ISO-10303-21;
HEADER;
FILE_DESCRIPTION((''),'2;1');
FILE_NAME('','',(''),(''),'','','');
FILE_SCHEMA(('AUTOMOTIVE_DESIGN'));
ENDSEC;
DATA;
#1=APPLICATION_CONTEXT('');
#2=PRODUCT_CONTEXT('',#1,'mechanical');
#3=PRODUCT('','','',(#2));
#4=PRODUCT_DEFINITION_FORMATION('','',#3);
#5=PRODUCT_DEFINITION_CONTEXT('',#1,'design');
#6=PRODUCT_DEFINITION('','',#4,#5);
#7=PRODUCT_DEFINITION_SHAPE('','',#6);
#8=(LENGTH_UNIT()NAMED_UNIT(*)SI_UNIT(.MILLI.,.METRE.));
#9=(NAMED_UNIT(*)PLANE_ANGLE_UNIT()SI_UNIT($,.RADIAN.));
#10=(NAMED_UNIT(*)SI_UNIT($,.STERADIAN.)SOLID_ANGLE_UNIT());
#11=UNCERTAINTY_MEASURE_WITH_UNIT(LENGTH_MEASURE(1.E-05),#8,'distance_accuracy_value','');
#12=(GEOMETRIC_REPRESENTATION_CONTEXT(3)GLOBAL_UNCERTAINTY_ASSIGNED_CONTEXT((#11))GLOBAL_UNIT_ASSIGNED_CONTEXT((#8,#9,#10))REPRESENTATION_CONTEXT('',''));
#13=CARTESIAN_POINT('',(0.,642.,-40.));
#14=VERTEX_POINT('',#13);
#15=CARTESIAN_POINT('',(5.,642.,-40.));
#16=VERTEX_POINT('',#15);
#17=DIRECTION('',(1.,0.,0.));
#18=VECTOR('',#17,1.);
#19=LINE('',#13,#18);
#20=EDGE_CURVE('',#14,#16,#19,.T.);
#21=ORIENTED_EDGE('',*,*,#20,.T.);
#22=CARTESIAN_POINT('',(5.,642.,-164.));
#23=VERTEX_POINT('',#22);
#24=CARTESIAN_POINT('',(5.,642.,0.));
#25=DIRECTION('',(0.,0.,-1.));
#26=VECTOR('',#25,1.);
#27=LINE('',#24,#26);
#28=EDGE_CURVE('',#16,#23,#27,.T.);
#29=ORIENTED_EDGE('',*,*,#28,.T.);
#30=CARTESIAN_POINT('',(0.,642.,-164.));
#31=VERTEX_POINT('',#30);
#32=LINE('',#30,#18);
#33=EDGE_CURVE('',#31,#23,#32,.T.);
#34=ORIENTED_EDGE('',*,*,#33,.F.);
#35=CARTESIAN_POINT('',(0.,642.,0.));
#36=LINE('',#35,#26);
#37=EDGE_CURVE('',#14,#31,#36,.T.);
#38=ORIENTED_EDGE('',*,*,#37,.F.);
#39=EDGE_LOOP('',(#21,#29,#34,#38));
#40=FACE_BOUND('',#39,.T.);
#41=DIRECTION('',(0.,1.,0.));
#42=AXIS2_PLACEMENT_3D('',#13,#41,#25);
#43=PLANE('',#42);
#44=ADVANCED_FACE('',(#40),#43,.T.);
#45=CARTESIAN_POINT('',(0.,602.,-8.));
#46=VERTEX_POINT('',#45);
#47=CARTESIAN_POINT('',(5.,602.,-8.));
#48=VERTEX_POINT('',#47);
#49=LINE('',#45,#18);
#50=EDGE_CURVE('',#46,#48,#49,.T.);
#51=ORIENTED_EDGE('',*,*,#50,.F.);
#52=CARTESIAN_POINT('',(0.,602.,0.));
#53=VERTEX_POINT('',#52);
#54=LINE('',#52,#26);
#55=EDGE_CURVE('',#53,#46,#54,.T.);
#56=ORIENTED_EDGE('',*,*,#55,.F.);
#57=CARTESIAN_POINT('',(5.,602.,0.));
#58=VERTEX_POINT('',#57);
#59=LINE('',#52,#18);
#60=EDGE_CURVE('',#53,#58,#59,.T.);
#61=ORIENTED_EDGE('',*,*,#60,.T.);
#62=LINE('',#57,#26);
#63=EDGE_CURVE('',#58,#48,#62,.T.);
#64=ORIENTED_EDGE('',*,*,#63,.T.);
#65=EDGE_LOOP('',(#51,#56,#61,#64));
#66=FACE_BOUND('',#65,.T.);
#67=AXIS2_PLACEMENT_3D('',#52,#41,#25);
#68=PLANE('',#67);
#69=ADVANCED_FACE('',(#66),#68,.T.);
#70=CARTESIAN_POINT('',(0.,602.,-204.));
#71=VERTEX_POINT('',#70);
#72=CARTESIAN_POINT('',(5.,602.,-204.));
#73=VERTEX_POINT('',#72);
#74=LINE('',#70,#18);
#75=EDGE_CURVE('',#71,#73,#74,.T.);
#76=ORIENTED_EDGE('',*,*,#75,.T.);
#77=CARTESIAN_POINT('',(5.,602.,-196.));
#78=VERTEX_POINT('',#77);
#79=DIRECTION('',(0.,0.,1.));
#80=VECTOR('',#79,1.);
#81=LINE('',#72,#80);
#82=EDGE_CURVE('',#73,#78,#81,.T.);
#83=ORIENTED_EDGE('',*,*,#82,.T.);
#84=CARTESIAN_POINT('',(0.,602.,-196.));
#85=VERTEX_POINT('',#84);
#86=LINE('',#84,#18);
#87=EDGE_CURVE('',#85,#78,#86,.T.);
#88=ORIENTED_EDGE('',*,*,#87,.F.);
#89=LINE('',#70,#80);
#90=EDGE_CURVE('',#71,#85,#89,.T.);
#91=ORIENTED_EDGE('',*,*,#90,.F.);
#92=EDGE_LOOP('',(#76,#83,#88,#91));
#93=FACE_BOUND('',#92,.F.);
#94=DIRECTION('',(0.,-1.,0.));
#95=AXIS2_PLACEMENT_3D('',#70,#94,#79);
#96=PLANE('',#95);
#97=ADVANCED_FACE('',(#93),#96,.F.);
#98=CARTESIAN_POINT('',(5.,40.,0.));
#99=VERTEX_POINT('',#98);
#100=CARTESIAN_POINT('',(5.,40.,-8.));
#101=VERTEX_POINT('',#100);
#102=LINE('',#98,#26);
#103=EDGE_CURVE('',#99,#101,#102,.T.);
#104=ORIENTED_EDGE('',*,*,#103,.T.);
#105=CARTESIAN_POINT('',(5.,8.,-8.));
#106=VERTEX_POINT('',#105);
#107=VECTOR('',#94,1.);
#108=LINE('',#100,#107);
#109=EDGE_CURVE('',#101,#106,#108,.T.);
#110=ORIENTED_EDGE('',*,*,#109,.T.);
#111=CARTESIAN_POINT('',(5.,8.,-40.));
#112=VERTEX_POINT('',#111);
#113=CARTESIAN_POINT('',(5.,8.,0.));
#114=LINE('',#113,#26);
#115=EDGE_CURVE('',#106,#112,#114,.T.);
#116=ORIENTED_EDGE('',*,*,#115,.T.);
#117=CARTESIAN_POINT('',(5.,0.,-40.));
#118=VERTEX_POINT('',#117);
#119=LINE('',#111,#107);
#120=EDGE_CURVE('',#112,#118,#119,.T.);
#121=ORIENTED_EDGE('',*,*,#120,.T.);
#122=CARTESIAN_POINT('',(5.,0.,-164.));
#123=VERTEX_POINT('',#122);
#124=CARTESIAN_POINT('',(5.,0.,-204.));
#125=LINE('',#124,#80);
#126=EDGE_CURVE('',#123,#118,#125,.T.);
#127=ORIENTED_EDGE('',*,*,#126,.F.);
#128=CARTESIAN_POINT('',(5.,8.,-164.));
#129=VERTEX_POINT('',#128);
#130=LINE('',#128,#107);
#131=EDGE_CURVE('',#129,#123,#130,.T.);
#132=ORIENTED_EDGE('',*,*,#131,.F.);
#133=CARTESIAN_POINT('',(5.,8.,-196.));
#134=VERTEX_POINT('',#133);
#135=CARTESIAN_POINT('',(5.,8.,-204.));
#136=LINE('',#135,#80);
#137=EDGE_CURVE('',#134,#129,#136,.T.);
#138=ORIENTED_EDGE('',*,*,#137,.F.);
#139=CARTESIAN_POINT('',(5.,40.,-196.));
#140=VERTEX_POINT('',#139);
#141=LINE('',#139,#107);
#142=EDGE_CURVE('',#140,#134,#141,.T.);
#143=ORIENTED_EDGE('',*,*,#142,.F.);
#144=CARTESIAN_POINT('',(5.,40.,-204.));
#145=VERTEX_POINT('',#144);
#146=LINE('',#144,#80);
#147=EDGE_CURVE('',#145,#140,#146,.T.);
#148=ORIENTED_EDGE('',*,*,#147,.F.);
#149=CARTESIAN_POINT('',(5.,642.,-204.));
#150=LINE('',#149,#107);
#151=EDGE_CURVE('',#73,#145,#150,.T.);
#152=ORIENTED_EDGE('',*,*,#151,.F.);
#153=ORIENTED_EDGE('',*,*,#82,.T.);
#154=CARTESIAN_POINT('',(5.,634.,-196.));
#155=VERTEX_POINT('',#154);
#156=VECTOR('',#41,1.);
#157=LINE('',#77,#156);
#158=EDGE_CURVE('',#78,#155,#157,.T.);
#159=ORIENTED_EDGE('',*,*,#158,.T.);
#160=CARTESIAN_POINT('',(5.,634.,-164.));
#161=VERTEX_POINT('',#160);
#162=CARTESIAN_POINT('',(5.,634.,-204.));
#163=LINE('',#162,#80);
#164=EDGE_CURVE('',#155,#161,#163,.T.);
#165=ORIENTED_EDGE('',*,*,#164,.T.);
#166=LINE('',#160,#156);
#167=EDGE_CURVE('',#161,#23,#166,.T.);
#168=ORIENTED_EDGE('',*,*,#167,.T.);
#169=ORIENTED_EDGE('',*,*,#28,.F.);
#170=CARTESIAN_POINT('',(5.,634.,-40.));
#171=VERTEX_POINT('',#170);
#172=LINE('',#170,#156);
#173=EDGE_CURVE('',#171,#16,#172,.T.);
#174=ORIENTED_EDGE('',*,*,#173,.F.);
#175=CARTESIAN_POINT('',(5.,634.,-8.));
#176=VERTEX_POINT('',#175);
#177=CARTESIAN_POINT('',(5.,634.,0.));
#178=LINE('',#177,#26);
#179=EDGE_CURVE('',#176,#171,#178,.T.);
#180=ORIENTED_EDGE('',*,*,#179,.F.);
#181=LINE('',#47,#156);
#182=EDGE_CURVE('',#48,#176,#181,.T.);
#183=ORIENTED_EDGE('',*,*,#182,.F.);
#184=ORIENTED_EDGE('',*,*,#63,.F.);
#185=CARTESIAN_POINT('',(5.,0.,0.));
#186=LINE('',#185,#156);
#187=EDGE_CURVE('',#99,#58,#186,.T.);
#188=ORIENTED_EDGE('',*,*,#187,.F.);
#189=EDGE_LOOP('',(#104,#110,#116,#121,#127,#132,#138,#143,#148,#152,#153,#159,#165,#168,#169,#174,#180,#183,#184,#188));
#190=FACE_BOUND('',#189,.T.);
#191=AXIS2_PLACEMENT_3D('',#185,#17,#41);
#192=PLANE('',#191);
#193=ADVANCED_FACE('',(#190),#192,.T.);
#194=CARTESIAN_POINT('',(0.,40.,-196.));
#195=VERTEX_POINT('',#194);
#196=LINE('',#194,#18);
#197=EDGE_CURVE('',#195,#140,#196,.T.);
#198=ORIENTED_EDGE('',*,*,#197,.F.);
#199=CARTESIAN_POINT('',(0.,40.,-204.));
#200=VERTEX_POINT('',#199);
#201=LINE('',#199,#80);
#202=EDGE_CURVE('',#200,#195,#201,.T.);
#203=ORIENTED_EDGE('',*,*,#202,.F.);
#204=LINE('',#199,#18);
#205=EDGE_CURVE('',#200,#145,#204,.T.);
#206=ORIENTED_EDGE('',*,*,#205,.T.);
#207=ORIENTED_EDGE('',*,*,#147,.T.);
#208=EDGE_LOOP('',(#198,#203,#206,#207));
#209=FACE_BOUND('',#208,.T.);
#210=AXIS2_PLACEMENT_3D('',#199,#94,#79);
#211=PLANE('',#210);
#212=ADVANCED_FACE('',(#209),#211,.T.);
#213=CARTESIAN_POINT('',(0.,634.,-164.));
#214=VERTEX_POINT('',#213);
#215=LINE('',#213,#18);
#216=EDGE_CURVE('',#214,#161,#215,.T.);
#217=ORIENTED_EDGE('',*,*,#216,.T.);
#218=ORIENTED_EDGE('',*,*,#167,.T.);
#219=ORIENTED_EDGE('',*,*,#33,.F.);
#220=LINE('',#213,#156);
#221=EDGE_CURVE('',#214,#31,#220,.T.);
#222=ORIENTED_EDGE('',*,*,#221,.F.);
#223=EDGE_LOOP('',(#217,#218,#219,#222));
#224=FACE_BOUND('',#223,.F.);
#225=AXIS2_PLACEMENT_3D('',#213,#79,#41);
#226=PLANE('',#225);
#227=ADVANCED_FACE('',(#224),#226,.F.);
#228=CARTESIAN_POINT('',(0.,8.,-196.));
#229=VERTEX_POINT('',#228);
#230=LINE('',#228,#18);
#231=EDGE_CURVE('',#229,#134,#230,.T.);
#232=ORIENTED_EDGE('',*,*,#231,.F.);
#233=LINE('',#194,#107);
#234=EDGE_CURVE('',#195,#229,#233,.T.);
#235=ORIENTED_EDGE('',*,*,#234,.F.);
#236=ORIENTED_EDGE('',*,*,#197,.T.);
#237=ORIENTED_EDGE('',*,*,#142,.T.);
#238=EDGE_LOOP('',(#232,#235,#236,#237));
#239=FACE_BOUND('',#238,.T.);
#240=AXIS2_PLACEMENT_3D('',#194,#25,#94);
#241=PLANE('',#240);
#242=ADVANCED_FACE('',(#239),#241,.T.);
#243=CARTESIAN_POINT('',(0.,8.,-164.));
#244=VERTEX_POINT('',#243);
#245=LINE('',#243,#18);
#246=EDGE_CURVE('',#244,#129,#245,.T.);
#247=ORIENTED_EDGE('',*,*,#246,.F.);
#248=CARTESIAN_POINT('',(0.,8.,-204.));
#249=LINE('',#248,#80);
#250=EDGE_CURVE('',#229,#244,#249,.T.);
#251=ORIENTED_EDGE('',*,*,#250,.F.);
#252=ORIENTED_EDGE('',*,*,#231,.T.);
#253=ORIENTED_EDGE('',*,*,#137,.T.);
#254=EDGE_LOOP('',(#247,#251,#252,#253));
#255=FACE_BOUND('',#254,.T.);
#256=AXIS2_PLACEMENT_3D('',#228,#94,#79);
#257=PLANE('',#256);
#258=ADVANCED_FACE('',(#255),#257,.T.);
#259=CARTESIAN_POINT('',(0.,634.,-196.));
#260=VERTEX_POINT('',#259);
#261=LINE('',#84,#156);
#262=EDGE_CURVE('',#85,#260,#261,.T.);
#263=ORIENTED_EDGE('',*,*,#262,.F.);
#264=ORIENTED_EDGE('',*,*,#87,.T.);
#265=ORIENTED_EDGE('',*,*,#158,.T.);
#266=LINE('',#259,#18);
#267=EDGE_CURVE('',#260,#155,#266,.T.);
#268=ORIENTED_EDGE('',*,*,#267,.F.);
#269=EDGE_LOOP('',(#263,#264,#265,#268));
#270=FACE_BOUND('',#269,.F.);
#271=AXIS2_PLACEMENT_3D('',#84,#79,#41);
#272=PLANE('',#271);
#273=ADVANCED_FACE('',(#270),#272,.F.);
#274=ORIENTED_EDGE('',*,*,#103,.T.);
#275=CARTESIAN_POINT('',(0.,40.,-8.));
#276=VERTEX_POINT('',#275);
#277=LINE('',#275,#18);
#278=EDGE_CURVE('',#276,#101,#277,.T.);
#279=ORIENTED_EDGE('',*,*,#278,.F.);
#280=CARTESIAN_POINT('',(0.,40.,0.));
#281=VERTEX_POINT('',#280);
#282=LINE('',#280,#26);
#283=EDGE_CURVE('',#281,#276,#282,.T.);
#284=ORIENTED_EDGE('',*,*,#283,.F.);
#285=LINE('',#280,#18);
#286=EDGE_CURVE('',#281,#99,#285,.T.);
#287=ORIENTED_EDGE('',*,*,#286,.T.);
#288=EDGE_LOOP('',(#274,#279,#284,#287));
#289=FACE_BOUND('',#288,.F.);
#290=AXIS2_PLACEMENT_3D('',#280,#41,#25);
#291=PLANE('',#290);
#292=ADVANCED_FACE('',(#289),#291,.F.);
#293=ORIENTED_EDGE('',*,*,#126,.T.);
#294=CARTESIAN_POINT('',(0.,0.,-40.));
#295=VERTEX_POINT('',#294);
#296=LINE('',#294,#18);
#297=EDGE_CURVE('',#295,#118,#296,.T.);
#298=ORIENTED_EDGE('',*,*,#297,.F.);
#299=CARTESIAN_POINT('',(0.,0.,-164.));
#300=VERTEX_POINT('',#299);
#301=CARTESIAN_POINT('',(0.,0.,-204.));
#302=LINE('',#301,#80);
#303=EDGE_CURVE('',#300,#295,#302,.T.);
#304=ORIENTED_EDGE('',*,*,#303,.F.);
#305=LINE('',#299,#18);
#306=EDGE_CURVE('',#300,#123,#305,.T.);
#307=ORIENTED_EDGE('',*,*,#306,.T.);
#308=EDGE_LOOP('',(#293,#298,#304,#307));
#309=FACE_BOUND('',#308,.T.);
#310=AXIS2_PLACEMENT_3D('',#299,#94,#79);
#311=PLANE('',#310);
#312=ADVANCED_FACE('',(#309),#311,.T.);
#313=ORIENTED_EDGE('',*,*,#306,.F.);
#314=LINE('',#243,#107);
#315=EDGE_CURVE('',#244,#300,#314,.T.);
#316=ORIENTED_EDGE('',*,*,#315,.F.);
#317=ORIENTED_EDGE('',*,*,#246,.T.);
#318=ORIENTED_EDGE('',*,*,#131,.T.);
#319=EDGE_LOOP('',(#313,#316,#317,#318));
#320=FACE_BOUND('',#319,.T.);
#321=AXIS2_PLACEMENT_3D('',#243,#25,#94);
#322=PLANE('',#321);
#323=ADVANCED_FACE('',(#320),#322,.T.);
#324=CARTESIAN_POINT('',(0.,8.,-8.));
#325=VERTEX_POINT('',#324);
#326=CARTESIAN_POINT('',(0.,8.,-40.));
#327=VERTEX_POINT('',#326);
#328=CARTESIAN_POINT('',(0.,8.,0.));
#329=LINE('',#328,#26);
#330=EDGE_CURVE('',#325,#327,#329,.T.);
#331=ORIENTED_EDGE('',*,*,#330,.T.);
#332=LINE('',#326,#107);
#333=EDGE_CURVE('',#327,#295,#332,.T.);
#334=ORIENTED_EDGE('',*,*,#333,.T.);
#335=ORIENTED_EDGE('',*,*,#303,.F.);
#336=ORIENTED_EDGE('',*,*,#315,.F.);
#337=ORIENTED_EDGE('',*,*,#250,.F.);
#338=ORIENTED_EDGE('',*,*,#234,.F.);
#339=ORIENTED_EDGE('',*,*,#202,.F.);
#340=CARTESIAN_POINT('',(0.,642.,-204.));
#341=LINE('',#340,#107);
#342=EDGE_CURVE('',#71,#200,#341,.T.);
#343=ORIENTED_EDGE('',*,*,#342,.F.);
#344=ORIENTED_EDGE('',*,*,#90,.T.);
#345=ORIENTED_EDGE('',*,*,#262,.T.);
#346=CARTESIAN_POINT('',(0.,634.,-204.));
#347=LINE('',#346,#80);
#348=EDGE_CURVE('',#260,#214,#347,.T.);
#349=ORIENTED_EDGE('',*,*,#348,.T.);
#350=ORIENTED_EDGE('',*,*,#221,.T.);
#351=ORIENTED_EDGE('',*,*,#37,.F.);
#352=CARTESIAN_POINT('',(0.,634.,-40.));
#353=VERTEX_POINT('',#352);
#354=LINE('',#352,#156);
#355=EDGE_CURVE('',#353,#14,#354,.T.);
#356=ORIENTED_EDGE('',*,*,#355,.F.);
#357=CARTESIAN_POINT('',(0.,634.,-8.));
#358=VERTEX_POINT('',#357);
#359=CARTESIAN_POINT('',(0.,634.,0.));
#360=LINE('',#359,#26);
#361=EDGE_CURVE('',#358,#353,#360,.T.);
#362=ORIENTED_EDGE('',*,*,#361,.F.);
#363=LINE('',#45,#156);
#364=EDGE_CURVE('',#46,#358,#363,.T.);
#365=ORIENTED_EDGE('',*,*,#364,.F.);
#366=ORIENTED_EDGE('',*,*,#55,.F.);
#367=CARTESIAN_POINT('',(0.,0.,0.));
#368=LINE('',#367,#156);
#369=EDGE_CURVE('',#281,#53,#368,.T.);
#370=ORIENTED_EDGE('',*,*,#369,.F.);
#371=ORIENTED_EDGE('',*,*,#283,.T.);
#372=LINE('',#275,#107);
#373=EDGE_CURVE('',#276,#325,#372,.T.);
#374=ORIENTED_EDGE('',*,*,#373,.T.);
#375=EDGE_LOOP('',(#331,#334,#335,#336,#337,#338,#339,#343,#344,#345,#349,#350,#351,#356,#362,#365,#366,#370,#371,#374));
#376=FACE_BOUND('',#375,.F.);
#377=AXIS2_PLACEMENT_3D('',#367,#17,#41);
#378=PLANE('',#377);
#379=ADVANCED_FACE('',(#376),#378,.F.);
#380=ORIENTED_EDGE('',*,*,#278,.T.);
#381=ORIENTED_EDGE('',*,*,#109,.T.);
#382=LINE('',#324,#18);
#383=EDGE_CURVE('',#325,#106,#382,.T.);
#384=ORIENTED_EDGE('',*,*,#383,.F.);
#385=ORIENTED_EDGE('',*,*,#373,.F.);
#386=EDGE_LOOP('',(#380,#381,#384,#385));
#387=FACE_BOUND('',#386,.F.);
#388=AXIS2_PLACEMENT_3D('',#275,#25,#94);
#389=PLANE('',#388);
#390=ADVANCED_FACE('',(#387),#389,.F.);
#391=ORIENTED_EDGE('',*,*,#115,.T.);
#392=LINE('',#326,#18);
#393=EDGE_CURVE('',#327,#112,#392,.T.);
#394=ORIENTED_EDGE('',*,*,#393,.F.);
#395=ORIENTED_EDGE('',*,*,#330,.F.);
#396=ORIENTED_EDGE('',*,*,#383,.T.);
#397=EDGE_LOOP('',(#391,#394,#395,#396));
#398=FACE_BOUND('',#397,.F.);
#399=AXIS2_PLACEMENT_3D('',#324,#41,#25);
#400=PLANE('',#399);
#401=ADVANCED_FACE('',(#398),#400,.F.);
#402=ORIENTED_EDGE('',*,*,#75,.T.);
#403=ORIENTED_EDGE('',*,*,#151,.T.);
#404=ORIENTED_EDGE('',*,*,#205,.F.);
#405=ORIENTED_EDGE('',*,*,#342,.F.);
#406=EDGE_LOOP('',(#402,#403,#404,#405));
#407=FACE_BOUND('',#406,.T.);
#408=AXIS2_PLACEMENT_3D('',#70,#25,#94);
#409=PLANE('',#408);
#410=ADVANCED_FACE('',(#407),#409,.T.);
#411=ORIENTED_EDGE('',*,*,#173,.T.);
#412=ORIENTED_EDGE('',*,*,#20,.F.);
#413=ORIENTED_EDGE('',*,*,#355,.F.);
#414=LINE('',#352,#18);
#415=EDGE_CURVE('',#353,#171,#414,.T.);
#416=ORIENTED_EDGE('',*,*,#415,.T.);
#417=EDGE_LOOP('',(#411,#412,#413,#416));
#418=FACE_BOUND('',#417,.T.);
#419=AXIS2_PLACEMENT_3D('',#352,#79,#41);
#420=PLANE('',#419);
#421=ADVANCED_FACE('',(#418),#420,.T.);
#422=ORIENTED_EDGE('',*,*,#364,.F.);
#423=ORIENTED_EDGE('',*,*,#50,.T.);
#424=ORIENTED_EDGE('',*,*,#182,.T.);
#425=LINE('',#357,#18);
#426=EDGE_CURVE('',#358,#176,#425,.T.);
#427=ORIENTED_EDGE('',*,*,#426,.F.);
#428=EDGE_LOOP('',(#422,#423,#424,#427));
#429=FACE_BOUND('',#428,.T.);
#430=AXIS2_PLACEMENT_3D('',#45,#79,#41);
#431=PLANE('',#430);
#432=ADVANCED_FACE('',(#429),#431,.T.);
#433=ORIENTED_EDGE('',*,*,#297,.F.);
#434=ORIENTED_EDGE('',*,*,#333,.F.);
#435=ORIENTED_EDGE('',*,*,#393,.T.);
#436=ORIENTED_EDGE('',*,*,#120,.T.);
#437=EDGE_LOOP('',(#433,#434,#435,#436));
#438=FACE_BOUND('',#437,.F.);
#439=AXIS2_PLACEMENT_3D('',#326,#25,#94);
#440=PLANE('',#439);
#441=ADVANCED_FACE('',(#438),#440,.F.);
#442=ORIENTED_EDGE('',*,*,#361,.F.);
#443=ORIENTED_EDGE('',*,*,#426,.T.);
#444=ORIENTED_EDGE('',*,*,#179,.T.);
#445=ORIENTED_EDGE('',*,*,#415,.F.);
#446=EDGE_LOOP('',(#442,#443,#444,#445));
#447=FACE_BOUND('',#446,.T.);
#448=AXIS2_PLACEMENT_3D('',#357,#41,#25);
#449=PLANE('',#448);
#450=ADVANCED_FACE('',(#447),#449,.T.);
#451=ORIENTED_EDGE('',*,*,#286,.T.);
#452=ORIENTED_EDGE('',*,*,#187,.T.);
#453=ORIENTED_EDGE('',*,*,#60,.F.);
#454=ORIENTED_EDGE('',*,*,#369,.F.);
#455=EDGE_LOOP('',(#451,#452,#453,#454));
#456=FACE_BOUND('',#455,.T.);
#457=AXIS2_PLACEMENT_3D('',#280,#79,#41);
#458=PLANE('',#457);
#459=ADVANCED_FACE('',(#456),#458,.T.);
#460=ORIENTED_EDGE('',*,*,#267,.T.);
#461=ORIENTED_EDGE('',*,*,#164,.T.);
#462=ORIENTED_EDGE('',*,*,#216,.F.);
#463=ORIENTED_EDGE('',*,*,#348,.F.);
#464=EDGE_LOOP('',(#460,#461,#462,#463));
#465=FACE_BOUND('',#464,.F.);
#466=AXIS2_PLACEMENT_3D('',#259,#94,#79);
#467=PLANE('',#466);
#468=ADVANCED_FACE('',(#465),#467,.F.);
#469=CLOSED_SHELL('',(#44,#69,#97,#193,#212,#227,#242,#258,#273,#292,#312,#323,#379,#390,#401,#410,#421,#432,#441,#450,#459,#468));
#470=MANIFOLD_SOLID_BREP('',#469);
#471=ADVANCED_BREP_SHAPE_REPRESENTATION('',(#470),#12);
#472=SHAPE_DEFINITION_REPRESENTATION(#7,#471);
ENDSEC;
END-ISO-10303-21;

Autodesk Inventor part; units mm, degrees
ref_plane "YZ Plane" through (0, 0, 0) normal (1, 0, 0) x (0, 1, 0)
ref_plane "XZ Plane" through (0, 0, 0) normal (0, 1, 0) x (-1, 0, 0)
ref_plane "XY Plane" through (0, 0, 0) normal (0, 0, 1) x (1, 0, 0)
sketch "Sketch1" plane through (0, 0, 0) normal (1, 0, 0) x (0, 1, 0)
  line L0 (0, 0) -> (642, 0)
  line L1 (642, 0) -> (642, -204)
  line L2 (642, -204) -> (0, -204)
  line L3 (0, -204) -> (0, 0)
  line L4 (642, 0) -> (634, 0)
  line L5 (634, 0) -> (634, -40)
  line L6 (634, -40) -> (642, -40)
  line L7 (642, -40) -> (642, 0)
  line L8 (642, 0) -> (602, 0)
  line L9 (602, 0) -> (602, -8)
  line L10 (602, -8) -> (642, -8)
  line L11 (642, -8) -> (642, 0)
  line L12 (856.5319, -102) -> (-65.1606, -102) construction
  line L13 (321, 165.682) -> (321, -1074.2454) construction
  line L14 (642, -204) -> (634, -204)
  line L15 (634, -204) -> (634, -164)
  line L16 (634, -164) -> (642, -164)
  line L17 (642, -164) -> (642, -204)
  line L18 (642, -204) -> (602, -204)
  line L19 (602, -204) -> (602, -196)
  line L20 (602, -196) -> (642, -196)
  line L21 (642, -196) -> (642, -204)
  line L22 (0, 0) -> (0, -204)
  line L23 (0, 0) -> (8, 0)
  line L24 (8, 0) -> (8, -40)
  line L25 (8, -40) -> (0, -40)
  line L26 (0, -40) -> (0, 0)
  line L27 (0, 0) -> (40, 0)
  line L28 (40, 0) -> (40, -8)
  line L29 (40, -8) -> (0, -8)
  line L30 (0, -8) -> (0, 0)
  line L31 (8, -164) -> (0, -164)
  line L32 (40, -196) -> (0, -196)
  line L33 (0, -204) -> (8, -204)
  line L34 (8, -204) -> (8, -164)
  line L35 (0, -164) -> (0, -204)
  line L36 (0, -204) -> (40, -204)
  line L37 (40, -204) -> (40, -196)
  line L38 (0, -196) -> (0, -204)
  point P0 (40, -204)
  point P1 (602, -204)
  point P2 (634, -196)
  point P3 (642, -164)
  point P4 (642, -40)
  point P5 (634, -8)
  point P6 (602, 0)
  point P7 (40, 0)
  point P8 (8, -8)
  point P9 (0, -40)
  point P10 (0, -164)
  point P11 (8, -196)
  dimension "d0" = 642
  dimension "d1" = 204
  dimension "d2" = 40
  dimension "d3" = 40
  dimension "d4" = 8
  dimension "d5" = 8
  dimension "d6" = 102
  dimension "d7" = 321
extrude "Extrusion1" add sketch "Sketch1" along normal blind 5 contours L0 L9 L10 L5 L6 L1 L16 L15 L20 L19 L2 L37 L32 L34 L31 L3 L25 L24 L29 L28
equation "\"d6\" = 0.5 * d1"
equation "\"d7\" = 0.5 * d0"
properties part number "Acrly_Wand_1"
